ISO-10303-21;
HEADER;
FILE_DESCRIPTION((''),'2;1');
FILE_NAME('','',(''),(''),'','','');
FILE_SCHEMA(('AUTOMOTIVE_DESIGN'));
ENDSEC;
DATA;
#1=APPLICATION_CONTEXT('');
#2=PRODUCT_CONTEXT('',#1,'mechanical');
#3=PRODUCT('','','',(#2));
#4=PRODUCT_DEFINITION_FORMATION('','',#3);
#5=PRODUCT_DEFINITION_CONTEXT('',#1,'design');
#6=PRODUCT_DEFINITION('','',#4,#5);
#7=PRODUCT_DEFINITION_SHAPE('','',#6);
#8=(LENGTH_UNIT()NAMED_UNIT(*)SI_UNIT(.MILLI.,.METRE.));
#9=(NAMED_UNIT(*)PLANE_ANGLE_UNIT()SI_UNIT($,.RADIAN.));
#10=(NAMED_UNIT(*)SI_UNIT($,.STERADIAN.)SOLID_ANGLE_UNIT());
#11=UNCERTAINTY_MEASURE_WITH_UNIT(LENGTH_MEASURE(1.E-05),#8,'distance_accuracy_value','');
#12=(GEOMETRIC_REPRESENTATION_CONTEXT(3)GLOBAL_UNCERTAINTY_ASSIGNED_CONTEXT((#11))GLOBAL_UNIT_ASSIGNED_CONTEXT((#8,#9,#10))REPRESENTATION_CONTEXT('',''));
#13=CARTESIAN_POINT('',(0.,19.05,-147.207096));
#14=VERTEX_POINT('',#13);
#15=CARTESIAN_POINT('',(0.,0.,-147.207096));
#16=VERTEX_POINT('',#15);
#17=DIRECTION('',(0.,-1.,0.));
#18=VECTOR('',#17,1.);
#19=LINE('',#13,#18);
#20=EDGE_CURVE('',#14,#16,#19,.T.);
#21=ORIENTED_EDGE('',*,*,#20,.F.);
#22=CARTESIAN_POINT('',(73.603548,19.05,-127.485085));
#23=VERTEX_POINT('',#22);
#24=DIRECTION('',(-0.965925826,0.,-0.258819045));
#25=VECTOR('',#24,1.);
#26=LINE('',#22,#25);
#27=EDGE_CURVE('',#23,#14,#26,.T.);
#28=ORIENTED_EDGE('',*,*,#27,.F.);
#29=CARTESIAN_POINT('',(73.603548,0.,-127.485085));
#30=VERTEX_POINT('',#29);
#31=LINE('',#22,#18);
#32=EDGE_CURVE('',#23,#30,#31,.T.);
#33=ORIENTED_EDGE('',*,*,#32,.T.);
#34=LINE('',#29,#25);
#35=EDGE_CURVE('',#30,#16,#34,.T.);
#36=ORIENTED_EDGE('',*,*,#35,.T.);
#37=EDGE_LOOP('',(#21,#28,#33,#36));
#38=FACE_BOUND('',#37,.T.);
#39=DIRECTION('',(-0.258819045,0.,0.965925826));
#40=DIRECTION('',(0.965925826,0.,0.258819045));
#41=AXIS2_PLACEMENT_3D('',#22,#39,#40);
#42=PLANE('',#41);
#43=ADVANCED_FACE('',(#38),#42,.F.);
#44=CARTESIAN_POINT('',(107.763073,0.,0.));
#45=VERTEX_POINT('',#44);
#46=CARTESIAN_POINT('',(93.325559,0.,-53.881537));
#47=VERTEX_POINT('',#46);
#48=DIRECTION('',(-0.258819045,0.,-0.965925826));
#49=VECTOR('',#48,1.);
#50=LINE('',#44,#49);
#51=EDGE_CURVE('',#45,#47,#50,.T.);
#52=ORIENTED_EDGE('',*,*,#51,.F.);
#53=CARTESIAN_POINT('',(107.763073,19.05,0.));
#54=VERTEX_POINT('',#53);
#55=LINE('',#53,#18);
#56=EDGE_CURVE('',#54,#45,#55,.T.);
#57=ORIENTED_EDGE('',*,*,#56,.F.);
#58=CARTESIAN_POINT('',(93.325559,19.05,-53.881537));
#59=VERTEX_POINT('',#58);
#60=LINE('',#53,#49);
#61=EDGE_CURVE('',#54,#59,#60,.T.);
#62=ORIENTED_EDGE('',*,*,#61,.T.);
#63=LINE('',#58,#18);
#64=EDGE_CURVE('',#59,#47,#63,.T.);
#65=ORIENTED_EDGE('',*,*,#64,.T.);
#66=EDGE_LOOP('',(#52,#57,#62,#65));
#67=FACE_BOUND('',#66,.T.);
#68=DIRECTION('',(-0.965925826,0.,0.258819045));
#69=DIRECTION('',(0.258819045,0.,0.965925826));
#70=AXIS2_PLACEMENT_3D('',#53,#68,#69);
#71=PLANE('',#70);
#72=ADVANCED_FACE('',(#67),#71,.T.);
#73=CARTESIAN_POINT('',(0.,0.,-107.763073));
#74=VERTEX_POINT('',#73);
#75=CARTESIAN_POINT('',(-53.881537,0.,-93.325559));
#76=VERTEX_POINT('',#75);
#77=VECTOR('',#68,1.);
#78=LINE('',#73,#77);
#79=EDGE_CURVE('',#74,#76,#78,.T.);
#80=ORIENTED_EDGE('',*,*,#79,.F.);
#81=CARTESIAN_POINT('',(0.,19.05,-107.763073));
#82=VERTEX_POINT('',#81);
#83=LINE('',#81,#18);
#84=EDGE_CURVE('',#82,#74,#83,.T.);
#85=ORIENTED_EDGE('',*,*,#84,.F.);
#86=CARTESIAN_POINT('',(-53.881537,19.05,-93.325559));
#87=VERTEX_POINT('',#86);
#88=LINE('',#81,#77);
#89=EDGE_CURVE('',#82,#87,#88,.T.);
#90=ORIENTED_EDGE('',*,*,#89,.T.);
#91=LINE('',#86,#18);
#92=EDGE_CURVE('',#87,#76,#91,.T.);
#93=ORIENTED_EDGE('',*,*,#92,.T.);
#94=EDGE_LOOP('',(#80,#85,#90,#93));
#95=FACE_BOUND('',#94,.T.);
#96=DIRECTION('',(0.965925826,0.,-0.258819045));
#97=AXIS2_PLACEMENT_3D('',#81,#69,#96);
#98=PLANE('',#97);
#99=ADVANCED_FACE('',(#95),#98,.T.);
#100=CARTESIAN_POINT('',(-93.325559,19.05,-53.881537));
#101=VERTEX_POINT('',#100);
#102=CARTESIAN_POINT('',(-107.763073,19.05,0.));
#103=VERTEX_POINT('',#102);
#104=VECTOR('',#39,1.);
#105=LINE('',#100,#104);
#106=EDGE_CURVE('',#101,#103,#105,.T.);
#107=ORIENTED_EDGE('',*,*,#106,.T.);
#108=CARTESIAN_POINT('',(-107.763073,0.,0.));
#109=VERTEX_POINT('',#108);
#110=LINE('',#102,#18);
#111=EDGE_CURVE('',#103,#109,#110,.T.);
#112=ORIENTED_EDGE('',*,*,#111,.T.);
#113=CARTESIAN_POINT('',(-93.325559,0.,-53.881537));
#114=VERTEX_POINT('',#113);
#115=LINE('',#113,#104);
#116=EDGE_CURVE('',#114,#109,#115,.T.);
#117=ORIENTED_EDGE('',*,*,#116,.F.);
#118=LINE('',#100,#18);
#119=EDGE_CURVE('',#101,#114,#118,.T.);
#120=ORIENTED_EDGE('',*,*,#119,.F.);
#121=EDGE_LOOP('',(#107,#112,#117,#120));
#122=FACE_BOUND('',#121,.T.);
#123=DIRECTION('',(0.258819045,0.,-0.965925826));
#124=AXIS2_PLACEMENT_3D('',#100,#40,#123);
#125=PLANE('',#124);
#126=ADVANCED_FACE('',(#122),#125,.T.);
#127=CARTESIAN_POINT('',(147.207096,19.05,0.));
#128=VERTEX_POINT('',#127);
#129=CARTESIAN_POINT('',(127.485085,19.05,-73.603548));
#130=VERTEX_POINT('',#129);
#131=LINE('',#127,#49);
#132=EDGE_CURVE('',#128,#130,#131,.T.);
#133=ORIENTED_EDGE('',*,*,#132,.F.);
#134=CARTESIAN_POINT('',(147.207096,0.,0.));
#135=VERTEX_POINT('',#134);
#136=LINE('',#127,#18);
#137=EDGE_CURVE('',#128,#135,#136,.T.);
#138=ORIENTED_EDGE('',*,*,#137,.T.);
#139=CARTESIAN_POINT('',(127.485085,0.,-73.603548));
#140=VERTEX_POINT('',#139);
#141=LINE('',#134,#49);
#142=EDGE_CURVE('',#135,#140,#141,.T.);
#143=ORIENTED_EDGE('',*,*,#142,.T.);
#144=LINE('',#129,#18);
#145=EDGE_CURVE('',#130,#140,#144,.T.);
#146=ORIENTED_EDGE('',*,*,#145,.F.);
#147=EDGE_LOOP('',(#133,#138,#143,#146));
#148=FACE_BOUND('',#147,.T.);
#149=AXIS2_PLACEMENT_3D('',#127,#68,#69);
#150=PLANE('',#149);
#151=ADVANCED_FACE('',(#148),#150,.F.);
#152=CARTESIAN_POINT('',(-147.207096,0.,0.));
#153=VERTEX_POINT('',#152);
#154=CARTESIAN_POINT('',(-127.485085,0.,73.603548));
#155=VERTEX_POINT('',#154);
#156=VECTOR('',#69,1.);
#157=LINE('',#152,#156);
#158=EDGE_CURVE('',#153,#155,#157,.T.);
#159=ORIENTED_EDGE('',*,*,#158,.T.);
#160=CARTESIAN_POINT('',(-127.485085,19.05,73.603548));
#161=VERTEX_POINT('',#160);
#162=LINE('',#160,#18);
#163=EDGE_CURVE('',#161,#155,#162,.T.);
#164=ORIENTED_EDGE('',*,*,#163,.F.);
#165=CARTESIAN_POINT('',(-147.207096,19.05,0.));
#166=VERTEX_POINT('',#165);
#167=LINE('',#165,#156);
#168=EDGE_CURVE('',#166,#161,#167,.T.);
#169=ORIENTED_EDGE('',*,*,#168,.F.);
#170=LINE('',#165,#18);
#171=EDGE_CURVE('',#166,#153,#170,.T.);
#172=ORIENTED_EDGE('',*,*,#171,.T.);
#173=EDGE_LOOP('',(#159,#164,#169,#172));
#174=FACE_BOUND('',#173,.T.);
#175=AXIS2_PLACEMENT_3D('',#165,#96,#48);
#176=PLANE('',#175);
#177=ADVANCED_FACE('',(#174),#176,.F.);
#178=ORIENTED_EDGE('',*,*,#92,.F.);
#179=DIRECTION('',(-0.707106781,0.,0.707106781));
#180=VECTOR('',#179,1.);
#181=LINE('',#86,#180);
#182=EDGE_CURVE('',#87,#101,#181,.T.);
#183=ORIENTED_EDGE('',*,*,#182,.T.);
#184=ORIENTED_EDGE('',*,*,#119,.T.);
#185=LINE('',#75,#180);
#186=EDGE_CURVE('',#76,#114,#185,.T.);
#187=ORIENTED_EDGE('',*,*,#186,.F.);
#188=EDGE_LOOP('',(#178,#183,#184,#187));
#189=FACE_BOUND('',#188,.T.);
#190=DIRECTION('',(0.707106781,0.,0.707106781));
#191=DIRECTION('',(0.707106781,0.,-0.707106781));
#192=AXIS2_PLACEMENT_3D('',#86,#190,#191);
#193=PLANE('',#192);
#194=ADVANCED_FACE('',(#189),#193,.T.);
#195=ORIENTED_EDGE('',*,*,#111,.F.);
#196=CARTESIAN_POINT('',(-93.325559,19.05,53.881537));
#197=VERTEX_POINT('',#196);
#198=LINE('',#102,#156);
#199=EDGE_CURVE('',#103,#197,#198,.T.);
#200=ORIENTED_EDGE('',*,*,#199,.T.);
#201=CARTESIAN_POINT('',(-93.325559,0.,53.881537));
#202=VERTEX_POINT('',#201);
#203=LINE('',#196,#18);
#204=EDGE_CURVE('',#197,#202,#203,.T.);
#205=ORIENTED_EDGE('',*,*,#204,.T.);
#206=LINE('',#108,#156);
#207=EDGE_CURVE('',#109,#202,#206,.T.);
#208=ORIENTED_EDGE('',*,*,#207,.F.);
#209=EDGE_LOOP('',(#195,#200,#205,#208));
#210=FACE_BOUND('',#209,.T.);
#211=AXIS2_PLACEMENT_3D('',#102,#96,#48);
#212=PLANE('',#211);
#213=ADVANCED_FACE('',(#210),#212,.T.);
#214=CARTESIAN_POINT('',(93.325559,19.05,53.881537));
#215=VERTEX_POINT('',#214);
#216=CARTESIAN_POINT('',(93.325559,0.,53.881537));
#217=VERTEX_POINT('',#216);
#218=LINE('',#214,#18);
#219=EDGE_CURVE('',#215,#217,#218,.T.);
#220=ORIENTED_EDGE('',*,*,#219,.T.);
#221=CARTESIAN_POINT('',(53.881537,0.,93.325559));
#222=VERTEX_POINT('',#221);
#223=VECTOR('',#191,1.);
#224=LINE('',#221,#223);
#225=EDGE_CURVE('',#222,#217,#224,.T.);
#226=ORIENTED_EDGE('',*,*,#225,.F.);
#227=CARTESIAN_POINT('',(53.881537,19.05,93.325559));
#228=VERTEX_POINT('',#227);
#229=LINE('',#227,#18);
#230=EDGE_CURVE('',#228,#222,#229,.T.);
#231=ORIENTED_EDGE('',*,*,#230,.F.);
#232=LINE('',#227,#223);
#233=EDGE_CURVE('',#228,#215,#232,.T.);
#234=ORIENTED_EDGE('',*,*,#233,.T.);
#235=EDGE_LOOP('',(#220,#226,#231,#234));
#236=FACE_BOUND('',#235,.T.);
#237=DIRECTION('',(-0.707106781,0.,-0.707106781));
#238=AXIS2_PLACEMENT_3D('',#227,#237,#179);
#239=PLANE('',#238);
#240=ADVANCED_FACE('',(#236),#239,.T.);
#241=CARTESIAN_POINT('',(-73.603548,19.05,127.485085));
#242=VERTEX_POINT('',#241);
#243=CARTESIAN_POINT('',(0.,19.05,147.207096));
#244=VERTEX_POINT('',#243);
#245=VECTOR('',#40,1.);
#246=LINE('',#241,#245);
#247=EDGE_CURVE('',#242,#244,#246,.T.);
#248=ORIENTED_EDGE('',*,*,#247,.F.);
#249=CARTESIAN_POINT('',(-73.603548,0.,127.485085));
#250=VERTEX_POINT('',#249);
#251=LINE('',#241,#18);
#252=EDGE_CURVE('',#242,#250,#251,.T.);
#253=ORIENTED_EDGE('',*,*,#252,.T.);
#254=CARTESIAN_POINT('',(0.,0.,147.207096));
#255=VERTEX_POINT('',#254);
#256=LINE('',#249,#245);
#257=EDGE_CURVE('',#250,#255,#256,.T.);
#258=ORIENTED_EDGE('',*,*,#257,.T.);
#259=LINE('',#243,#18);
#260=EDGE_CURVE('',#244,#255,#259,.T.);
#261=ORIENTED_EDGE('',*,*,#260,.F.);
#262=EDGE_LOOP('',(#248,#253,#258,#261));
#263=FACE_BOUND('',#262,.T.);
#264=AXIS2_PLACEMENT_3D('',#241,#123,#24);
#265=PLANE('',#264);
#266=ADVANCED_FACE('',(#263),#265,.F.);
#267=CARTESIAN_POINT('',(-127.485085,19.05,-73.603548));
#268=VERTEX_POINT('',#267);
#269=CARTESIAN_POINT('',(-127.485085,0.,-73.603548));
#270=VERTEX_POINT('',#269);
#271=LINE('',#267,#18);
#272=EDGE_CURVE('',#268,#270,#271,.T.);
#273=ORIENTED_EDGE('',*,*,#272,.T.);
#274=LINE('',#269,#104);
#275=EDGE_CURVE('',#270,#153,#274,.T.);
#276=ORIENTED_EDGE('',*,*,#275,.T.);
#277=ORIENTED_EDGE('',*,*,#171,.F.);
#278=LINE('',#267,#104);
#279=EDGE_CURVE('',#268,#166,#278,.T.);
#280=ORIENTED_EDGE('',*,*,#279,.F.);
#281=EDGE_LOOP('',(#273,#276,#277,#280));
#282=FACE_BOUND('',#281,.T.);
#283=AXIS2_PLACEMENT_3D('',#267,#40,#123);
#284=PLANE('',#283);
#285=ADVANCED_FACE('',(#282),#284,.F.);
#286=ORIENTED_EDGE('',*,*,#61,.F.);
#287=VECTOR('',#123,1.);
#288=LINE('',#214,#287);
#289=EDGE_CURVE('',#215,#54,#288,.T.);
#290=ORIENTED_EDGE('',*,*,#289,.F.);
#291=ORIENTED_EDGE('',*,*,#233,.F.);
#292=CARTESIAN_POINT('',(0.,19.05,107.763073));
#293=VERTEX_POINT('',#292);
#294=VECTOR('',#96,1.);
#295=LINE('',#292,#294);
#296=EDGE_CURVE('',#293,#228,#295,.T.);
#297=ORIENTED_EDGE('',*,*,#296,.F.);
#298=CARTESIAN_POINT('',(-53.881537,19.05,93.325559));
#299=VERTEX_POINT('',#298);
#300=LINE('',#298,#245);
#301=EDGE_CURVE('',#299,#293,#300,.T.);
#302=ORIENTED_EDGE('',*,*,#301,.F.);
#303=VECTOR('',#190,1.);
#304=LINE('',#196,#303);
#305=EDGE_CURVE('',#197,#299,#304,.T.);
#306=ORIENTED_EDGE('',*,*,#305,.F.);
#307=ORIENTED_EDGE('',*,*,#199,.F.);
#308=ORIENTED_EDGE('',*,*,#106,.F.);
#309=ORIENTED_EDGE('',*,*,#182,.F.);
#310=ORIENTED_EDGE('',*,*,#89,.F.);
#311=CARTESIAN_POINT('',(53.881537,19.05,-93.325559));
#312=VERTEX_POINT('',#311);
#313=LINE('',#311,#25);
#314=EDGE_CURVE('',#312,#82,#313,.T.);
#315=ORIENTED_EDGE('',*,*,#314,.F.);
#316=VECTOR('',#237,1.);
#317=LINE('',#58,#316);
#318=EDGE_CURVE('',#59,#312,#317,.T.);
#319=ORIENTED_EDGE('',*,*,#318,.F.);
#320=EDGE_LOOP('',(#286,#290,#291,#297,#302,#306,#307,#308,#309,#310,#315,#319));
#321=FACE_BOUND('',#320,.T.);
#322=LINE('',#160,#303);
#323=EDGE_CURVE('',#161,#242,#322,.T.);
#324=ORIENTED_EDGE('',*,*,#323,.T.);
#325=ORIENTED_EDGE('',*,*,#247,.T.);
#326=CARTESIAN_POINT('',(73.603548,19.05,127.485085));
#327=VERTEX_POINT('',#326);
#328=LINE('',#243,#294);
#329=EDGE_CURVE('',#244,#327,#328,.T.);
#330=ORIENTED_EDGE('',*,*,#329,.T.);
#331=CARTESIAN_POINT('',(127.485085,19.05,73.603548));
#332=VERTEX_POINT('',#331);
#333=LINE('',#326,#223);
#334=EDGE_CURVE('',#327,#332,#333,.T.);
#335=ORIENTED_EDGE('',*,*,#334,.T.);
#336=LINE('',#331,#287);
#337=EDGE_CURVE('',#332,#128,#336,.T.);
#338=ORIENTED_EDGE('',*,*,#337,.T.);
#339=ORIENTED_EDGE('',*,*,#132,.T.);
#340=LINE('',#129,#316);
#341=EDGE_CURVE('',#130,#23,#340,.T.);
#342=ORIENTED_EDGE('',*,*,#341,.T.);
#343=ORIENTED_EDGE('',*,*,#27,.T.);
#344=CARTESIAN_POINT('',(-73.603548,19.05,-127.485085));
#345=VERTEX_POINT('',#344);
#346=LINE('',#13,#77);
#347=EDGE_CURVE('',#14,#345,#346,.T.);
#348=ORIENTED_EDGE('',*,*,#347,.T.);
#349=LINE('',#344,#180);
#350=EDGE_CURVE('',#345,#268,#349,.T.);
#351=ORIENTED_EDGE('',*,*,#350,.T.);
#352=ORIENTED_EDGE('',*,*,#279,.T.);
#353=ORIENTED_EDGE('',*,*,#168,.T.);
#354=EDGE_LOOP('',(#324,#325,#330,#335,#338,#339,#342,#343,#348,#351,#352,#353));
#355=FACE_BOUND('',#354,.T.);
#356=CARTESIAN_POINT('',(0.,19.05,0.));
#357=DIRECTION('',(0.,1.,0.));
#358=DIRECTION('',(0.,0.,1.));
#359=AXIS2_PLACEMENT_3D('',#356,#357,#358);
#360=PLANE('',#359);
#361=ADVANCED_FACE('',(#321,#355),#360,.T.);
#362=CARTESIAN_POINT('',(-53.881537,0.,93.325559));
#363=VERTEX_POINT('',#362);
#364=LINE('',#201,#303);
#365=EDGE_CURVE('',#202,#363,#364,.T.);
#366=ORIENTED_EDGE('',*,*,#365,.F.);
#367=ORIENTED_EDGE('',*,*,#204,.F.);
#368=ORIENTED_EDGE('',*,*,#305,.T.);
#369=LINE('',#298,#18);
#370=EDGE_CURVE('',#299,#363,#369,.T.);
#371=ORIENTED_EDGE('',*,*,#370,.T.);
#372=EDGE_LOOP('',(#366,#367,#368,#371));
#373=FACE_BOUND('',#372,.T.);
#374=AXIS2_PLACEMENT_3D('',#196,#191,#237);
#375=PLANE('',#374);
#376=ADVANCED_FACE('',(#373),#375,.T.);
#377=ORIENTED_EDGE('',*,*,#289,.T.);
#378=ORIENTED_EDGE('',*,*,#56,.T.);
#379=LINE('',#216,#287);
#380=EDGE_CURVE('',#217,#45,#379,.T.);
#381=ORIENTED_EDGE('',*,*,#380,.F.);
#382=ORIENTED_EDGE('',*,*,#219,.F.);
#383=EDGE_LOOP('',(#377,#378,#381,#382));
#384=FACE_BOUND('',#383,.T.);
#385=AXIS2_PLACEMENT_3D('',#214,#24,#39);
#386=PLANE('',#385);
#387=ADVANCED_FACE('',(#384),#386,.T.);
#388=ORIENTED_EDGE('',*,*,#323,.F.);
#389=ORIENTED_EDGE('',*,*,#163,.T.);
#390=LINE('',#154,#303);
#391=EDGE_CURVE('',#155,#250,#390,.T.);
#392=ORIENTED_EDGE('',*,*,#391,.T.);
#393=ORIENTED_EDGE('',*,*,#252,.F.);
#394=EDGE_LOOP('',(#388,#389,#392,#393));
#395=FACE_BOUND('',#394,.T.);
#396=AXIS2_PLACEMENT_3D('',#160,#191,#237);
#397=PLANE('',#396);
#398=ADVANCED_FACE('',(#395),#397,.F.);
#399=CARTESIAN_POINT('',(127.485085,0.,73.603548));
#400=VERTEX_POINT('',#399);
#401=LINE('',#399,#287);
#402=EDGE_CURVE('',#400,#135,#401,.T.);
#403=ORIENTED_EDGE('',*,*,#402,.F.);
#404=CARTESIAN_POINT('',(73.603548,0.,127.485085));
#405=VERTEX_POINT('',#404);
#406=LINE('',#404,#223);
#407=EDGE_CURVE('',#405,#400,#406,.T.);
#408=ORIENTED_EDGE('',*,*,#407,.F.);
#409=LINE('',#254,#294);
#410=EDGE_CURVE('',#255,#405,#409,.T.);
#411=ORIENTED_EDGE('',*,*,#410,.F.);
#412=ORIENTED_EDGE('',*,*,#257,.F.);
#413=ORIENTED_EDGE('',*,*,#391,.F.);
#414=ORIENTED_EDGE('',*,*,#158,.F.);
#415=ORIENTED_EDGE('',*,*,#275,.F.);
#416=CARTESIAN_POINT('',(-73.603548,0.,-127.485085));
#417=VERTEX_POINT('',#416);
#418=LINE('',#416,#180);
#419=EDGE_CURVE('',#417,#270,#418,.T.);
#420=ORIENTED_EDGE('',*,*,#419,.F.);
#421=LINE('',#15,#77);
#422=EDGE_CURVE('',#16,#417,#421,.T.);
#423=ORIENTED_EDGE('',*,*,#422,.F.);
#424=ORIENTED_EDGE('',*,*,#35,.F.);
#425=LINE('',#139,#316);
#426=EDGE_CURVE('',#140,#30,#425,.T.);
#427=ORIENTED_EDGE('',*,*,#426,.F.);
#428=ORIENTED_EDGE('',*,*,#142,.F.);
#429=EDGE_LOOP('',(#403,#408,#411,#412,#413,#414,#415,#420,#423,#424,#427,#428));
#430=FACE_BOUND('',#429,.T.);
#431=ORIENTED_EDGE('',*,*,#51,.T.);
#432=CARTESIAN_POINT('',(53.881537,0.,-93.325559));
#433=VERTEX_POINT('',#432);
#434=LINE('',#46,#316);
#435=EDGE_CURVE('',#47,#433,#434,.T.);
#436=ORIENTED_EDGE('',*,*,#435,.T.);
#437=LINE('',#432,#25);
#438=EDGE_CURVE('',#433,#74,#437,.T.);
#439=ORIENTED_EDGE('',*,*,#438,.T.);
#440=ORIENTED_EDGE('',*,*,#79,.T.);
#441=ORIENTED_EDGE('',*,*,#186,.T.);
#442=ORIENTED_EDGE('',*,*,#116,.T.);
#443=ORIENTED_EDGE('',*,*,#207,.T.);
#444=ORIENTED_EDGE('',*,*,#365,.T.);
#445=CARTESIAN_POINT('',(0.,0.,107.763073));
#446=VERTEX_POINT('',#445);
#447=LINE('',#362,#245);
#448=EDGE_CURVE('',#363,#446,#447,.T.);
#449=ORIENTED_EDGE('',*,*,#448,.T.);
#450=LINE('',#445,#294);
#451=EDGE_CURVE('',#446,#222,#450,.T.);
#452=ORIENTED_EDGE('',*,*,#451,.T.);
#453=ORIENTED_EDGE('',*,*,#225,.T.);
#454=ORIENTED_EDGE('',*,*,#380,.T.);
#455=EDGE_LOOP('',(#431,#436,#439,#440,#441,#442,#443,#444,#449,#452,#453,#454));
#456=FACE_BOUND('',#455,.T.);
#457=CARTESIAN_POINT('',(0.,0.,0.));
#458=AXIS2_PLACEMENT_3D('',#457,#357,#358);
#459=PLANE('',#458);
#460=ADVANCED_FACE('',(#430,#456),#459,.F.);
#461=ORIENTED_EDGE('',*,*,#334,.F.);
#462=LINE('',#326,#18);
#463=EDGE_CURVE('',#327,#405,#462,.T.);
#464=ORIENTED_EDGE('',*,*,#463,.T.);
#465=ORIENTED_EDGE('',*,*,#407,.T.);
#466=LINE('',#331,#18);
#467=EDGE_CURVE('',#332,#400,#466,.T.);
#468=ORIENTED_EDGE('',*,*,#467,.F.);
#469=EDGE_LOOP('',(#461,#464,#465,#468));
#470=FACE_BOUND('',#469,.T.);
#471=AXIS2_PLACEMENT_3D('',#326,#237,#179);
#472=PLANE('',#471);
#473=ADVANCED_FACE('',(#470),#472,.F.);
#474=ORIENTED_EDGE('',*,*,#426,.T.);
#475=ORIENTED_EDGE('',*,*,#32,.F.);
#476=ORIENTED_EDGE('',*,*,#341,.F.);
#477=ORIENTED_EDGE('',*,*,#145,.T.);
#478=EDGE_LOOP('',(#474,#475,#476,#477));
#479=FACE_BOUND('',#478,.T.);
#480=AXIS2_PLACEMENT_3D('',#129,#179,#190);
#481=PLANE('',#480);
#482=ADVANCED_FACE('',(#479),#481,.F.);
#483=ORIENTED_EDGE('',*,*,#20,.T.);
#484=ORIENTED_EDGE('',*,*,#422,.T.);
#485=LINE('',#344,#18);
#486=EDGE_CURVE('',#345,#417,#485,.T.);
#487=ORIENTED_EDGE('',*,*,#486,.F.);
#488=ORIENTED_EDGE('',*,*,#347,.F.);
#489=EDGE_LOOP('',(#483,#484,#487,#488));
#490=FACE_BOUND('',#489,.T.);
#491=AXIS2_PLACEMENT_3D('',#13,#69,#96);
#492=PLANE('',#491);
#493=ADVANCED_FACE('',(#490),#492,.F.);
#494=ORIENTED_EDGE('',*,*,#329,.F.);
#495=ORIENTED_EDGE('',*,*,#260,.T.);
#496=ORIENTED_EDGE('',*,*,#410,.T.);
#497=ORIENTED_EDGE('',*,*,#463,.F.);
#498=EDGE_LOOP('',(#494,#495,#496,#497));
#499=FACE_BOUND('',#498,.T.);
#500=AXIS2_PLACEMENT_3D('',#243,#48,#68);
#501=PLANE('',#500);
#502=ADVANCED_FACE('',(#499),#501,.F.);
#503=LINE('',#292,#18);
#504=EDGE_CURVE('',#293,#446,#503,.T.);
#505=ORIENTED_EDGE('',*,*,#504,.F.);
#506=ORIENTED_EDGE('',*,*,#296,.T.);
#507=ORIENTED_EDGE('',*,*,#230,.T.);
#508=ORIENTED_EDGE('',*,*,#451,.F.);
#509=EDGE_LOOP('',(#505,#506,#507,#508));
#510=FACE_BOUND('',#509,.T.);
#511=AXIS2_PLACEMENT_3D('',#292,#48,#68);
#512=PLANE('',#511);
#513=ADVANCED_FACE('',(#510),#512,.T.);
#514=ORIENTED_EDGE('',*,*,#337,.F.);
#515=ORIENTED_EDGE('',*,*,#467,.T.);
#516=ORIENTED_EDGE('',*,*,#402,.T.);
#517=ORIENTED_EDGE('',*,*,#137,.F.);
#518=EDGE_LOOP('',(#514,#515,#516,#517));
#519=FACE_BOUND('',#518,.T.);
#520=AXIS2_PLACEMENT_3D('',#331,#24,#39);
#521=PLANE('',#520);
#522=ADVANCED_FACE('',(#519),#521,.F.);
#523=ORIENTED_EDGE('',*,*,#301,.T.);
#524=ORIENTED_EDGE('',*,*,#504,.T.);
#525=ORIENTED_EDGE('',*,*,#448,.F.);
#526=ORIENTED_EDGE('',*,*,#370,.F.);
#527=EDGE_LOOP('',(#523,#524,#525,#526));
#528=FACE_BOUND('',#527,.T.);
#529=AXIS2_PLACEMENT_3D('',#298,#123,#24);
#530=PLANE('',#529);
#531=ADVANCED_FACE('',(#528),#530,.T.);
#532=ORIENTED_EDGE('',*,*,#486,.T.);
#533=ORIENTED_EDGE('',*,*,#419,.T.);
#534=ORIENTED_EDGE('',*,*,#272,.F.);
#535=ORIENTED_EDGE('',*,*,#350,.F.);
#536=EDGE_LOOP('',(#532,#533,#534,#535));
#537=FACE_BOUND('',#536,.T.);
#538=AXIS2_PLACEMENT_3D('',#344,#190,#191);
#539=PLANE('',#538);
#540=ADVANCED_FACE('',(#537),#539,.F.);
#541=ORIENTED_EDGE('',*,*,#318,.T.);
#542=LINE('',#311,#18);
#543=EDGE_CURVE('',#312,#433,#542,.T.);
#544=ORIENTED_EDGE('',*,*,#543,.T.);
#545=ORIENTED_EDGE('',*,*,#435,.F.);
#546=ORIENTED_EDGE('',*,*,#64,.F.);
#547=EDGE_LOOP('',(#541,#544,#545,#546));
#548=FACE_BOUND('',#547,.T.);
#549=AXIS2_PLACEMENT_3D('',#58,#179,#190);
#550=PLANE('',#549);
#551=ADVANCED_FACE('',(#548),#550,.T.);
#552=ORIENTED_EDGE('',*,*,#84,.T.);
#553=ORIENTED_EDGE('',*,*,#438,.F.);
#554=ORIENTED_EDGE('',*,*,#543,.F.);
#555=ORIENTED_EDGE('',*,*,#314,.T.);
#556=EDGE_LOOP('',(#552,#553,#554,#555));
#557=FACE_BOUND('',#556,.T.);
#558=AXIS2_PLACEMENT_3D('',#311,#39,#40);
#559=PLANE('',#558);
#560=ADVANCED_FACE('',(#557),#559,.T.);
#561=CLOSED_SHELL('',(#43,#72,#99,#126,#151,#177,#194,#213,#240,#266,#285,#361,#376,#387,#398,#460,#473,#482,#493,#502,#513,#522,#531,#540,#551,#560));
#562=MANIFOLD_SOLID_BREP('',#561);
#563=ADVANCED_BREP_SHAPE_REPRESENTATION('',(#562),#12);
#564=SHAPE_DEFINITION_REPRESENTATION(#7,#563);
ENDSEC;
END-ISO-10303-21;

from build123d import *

# Parameters (mm, degrees)
BOSS_EXTRUDE2_DEPTH = 19.05


with BuildPart() as part:
    # Sketch2 → Boss-Extrude2 (new body)
    with BuildSketch(Plane(origin=(0, 0, 0), x_dir=(1, 0, 0), z_dir=(0, 1, 0))):
        Polygon((-147.207095926, 0), (-127.48508469, -73.603547963), (-73.603547963, -127.48508469), (0, -147.207095926), (73.603547963, -127.48508469), (127.48508469, -73.603547963), (147.207095926, 0), (127.48508469, 73.603547963), (73.603547963, 127.48508469), (0, 147.207095926), (-73.603547963, 127.48508469), (-127.48508469, 73.603547963), align=None)
        Polygon((-107.763073453, 0), (-93.3255592, -53.881536726), (-53.881536726, -93.3255592), (0, -107.763073453), (53.881536726, -93.3255592), (93.3255592, -53.881536726), (107.763073453, 0), (93.3255592, 53.881536726), (53.881536726, 93.3255592), (0, 107.763073453), (-53.881536726, 93.3255592), (-93.3255592, 53.881536726), align=None, mode=Mode.SUBTRACT)
    extrude(amount=BOSS_EXTRUDE2_DEPTH)


solid = part.part
